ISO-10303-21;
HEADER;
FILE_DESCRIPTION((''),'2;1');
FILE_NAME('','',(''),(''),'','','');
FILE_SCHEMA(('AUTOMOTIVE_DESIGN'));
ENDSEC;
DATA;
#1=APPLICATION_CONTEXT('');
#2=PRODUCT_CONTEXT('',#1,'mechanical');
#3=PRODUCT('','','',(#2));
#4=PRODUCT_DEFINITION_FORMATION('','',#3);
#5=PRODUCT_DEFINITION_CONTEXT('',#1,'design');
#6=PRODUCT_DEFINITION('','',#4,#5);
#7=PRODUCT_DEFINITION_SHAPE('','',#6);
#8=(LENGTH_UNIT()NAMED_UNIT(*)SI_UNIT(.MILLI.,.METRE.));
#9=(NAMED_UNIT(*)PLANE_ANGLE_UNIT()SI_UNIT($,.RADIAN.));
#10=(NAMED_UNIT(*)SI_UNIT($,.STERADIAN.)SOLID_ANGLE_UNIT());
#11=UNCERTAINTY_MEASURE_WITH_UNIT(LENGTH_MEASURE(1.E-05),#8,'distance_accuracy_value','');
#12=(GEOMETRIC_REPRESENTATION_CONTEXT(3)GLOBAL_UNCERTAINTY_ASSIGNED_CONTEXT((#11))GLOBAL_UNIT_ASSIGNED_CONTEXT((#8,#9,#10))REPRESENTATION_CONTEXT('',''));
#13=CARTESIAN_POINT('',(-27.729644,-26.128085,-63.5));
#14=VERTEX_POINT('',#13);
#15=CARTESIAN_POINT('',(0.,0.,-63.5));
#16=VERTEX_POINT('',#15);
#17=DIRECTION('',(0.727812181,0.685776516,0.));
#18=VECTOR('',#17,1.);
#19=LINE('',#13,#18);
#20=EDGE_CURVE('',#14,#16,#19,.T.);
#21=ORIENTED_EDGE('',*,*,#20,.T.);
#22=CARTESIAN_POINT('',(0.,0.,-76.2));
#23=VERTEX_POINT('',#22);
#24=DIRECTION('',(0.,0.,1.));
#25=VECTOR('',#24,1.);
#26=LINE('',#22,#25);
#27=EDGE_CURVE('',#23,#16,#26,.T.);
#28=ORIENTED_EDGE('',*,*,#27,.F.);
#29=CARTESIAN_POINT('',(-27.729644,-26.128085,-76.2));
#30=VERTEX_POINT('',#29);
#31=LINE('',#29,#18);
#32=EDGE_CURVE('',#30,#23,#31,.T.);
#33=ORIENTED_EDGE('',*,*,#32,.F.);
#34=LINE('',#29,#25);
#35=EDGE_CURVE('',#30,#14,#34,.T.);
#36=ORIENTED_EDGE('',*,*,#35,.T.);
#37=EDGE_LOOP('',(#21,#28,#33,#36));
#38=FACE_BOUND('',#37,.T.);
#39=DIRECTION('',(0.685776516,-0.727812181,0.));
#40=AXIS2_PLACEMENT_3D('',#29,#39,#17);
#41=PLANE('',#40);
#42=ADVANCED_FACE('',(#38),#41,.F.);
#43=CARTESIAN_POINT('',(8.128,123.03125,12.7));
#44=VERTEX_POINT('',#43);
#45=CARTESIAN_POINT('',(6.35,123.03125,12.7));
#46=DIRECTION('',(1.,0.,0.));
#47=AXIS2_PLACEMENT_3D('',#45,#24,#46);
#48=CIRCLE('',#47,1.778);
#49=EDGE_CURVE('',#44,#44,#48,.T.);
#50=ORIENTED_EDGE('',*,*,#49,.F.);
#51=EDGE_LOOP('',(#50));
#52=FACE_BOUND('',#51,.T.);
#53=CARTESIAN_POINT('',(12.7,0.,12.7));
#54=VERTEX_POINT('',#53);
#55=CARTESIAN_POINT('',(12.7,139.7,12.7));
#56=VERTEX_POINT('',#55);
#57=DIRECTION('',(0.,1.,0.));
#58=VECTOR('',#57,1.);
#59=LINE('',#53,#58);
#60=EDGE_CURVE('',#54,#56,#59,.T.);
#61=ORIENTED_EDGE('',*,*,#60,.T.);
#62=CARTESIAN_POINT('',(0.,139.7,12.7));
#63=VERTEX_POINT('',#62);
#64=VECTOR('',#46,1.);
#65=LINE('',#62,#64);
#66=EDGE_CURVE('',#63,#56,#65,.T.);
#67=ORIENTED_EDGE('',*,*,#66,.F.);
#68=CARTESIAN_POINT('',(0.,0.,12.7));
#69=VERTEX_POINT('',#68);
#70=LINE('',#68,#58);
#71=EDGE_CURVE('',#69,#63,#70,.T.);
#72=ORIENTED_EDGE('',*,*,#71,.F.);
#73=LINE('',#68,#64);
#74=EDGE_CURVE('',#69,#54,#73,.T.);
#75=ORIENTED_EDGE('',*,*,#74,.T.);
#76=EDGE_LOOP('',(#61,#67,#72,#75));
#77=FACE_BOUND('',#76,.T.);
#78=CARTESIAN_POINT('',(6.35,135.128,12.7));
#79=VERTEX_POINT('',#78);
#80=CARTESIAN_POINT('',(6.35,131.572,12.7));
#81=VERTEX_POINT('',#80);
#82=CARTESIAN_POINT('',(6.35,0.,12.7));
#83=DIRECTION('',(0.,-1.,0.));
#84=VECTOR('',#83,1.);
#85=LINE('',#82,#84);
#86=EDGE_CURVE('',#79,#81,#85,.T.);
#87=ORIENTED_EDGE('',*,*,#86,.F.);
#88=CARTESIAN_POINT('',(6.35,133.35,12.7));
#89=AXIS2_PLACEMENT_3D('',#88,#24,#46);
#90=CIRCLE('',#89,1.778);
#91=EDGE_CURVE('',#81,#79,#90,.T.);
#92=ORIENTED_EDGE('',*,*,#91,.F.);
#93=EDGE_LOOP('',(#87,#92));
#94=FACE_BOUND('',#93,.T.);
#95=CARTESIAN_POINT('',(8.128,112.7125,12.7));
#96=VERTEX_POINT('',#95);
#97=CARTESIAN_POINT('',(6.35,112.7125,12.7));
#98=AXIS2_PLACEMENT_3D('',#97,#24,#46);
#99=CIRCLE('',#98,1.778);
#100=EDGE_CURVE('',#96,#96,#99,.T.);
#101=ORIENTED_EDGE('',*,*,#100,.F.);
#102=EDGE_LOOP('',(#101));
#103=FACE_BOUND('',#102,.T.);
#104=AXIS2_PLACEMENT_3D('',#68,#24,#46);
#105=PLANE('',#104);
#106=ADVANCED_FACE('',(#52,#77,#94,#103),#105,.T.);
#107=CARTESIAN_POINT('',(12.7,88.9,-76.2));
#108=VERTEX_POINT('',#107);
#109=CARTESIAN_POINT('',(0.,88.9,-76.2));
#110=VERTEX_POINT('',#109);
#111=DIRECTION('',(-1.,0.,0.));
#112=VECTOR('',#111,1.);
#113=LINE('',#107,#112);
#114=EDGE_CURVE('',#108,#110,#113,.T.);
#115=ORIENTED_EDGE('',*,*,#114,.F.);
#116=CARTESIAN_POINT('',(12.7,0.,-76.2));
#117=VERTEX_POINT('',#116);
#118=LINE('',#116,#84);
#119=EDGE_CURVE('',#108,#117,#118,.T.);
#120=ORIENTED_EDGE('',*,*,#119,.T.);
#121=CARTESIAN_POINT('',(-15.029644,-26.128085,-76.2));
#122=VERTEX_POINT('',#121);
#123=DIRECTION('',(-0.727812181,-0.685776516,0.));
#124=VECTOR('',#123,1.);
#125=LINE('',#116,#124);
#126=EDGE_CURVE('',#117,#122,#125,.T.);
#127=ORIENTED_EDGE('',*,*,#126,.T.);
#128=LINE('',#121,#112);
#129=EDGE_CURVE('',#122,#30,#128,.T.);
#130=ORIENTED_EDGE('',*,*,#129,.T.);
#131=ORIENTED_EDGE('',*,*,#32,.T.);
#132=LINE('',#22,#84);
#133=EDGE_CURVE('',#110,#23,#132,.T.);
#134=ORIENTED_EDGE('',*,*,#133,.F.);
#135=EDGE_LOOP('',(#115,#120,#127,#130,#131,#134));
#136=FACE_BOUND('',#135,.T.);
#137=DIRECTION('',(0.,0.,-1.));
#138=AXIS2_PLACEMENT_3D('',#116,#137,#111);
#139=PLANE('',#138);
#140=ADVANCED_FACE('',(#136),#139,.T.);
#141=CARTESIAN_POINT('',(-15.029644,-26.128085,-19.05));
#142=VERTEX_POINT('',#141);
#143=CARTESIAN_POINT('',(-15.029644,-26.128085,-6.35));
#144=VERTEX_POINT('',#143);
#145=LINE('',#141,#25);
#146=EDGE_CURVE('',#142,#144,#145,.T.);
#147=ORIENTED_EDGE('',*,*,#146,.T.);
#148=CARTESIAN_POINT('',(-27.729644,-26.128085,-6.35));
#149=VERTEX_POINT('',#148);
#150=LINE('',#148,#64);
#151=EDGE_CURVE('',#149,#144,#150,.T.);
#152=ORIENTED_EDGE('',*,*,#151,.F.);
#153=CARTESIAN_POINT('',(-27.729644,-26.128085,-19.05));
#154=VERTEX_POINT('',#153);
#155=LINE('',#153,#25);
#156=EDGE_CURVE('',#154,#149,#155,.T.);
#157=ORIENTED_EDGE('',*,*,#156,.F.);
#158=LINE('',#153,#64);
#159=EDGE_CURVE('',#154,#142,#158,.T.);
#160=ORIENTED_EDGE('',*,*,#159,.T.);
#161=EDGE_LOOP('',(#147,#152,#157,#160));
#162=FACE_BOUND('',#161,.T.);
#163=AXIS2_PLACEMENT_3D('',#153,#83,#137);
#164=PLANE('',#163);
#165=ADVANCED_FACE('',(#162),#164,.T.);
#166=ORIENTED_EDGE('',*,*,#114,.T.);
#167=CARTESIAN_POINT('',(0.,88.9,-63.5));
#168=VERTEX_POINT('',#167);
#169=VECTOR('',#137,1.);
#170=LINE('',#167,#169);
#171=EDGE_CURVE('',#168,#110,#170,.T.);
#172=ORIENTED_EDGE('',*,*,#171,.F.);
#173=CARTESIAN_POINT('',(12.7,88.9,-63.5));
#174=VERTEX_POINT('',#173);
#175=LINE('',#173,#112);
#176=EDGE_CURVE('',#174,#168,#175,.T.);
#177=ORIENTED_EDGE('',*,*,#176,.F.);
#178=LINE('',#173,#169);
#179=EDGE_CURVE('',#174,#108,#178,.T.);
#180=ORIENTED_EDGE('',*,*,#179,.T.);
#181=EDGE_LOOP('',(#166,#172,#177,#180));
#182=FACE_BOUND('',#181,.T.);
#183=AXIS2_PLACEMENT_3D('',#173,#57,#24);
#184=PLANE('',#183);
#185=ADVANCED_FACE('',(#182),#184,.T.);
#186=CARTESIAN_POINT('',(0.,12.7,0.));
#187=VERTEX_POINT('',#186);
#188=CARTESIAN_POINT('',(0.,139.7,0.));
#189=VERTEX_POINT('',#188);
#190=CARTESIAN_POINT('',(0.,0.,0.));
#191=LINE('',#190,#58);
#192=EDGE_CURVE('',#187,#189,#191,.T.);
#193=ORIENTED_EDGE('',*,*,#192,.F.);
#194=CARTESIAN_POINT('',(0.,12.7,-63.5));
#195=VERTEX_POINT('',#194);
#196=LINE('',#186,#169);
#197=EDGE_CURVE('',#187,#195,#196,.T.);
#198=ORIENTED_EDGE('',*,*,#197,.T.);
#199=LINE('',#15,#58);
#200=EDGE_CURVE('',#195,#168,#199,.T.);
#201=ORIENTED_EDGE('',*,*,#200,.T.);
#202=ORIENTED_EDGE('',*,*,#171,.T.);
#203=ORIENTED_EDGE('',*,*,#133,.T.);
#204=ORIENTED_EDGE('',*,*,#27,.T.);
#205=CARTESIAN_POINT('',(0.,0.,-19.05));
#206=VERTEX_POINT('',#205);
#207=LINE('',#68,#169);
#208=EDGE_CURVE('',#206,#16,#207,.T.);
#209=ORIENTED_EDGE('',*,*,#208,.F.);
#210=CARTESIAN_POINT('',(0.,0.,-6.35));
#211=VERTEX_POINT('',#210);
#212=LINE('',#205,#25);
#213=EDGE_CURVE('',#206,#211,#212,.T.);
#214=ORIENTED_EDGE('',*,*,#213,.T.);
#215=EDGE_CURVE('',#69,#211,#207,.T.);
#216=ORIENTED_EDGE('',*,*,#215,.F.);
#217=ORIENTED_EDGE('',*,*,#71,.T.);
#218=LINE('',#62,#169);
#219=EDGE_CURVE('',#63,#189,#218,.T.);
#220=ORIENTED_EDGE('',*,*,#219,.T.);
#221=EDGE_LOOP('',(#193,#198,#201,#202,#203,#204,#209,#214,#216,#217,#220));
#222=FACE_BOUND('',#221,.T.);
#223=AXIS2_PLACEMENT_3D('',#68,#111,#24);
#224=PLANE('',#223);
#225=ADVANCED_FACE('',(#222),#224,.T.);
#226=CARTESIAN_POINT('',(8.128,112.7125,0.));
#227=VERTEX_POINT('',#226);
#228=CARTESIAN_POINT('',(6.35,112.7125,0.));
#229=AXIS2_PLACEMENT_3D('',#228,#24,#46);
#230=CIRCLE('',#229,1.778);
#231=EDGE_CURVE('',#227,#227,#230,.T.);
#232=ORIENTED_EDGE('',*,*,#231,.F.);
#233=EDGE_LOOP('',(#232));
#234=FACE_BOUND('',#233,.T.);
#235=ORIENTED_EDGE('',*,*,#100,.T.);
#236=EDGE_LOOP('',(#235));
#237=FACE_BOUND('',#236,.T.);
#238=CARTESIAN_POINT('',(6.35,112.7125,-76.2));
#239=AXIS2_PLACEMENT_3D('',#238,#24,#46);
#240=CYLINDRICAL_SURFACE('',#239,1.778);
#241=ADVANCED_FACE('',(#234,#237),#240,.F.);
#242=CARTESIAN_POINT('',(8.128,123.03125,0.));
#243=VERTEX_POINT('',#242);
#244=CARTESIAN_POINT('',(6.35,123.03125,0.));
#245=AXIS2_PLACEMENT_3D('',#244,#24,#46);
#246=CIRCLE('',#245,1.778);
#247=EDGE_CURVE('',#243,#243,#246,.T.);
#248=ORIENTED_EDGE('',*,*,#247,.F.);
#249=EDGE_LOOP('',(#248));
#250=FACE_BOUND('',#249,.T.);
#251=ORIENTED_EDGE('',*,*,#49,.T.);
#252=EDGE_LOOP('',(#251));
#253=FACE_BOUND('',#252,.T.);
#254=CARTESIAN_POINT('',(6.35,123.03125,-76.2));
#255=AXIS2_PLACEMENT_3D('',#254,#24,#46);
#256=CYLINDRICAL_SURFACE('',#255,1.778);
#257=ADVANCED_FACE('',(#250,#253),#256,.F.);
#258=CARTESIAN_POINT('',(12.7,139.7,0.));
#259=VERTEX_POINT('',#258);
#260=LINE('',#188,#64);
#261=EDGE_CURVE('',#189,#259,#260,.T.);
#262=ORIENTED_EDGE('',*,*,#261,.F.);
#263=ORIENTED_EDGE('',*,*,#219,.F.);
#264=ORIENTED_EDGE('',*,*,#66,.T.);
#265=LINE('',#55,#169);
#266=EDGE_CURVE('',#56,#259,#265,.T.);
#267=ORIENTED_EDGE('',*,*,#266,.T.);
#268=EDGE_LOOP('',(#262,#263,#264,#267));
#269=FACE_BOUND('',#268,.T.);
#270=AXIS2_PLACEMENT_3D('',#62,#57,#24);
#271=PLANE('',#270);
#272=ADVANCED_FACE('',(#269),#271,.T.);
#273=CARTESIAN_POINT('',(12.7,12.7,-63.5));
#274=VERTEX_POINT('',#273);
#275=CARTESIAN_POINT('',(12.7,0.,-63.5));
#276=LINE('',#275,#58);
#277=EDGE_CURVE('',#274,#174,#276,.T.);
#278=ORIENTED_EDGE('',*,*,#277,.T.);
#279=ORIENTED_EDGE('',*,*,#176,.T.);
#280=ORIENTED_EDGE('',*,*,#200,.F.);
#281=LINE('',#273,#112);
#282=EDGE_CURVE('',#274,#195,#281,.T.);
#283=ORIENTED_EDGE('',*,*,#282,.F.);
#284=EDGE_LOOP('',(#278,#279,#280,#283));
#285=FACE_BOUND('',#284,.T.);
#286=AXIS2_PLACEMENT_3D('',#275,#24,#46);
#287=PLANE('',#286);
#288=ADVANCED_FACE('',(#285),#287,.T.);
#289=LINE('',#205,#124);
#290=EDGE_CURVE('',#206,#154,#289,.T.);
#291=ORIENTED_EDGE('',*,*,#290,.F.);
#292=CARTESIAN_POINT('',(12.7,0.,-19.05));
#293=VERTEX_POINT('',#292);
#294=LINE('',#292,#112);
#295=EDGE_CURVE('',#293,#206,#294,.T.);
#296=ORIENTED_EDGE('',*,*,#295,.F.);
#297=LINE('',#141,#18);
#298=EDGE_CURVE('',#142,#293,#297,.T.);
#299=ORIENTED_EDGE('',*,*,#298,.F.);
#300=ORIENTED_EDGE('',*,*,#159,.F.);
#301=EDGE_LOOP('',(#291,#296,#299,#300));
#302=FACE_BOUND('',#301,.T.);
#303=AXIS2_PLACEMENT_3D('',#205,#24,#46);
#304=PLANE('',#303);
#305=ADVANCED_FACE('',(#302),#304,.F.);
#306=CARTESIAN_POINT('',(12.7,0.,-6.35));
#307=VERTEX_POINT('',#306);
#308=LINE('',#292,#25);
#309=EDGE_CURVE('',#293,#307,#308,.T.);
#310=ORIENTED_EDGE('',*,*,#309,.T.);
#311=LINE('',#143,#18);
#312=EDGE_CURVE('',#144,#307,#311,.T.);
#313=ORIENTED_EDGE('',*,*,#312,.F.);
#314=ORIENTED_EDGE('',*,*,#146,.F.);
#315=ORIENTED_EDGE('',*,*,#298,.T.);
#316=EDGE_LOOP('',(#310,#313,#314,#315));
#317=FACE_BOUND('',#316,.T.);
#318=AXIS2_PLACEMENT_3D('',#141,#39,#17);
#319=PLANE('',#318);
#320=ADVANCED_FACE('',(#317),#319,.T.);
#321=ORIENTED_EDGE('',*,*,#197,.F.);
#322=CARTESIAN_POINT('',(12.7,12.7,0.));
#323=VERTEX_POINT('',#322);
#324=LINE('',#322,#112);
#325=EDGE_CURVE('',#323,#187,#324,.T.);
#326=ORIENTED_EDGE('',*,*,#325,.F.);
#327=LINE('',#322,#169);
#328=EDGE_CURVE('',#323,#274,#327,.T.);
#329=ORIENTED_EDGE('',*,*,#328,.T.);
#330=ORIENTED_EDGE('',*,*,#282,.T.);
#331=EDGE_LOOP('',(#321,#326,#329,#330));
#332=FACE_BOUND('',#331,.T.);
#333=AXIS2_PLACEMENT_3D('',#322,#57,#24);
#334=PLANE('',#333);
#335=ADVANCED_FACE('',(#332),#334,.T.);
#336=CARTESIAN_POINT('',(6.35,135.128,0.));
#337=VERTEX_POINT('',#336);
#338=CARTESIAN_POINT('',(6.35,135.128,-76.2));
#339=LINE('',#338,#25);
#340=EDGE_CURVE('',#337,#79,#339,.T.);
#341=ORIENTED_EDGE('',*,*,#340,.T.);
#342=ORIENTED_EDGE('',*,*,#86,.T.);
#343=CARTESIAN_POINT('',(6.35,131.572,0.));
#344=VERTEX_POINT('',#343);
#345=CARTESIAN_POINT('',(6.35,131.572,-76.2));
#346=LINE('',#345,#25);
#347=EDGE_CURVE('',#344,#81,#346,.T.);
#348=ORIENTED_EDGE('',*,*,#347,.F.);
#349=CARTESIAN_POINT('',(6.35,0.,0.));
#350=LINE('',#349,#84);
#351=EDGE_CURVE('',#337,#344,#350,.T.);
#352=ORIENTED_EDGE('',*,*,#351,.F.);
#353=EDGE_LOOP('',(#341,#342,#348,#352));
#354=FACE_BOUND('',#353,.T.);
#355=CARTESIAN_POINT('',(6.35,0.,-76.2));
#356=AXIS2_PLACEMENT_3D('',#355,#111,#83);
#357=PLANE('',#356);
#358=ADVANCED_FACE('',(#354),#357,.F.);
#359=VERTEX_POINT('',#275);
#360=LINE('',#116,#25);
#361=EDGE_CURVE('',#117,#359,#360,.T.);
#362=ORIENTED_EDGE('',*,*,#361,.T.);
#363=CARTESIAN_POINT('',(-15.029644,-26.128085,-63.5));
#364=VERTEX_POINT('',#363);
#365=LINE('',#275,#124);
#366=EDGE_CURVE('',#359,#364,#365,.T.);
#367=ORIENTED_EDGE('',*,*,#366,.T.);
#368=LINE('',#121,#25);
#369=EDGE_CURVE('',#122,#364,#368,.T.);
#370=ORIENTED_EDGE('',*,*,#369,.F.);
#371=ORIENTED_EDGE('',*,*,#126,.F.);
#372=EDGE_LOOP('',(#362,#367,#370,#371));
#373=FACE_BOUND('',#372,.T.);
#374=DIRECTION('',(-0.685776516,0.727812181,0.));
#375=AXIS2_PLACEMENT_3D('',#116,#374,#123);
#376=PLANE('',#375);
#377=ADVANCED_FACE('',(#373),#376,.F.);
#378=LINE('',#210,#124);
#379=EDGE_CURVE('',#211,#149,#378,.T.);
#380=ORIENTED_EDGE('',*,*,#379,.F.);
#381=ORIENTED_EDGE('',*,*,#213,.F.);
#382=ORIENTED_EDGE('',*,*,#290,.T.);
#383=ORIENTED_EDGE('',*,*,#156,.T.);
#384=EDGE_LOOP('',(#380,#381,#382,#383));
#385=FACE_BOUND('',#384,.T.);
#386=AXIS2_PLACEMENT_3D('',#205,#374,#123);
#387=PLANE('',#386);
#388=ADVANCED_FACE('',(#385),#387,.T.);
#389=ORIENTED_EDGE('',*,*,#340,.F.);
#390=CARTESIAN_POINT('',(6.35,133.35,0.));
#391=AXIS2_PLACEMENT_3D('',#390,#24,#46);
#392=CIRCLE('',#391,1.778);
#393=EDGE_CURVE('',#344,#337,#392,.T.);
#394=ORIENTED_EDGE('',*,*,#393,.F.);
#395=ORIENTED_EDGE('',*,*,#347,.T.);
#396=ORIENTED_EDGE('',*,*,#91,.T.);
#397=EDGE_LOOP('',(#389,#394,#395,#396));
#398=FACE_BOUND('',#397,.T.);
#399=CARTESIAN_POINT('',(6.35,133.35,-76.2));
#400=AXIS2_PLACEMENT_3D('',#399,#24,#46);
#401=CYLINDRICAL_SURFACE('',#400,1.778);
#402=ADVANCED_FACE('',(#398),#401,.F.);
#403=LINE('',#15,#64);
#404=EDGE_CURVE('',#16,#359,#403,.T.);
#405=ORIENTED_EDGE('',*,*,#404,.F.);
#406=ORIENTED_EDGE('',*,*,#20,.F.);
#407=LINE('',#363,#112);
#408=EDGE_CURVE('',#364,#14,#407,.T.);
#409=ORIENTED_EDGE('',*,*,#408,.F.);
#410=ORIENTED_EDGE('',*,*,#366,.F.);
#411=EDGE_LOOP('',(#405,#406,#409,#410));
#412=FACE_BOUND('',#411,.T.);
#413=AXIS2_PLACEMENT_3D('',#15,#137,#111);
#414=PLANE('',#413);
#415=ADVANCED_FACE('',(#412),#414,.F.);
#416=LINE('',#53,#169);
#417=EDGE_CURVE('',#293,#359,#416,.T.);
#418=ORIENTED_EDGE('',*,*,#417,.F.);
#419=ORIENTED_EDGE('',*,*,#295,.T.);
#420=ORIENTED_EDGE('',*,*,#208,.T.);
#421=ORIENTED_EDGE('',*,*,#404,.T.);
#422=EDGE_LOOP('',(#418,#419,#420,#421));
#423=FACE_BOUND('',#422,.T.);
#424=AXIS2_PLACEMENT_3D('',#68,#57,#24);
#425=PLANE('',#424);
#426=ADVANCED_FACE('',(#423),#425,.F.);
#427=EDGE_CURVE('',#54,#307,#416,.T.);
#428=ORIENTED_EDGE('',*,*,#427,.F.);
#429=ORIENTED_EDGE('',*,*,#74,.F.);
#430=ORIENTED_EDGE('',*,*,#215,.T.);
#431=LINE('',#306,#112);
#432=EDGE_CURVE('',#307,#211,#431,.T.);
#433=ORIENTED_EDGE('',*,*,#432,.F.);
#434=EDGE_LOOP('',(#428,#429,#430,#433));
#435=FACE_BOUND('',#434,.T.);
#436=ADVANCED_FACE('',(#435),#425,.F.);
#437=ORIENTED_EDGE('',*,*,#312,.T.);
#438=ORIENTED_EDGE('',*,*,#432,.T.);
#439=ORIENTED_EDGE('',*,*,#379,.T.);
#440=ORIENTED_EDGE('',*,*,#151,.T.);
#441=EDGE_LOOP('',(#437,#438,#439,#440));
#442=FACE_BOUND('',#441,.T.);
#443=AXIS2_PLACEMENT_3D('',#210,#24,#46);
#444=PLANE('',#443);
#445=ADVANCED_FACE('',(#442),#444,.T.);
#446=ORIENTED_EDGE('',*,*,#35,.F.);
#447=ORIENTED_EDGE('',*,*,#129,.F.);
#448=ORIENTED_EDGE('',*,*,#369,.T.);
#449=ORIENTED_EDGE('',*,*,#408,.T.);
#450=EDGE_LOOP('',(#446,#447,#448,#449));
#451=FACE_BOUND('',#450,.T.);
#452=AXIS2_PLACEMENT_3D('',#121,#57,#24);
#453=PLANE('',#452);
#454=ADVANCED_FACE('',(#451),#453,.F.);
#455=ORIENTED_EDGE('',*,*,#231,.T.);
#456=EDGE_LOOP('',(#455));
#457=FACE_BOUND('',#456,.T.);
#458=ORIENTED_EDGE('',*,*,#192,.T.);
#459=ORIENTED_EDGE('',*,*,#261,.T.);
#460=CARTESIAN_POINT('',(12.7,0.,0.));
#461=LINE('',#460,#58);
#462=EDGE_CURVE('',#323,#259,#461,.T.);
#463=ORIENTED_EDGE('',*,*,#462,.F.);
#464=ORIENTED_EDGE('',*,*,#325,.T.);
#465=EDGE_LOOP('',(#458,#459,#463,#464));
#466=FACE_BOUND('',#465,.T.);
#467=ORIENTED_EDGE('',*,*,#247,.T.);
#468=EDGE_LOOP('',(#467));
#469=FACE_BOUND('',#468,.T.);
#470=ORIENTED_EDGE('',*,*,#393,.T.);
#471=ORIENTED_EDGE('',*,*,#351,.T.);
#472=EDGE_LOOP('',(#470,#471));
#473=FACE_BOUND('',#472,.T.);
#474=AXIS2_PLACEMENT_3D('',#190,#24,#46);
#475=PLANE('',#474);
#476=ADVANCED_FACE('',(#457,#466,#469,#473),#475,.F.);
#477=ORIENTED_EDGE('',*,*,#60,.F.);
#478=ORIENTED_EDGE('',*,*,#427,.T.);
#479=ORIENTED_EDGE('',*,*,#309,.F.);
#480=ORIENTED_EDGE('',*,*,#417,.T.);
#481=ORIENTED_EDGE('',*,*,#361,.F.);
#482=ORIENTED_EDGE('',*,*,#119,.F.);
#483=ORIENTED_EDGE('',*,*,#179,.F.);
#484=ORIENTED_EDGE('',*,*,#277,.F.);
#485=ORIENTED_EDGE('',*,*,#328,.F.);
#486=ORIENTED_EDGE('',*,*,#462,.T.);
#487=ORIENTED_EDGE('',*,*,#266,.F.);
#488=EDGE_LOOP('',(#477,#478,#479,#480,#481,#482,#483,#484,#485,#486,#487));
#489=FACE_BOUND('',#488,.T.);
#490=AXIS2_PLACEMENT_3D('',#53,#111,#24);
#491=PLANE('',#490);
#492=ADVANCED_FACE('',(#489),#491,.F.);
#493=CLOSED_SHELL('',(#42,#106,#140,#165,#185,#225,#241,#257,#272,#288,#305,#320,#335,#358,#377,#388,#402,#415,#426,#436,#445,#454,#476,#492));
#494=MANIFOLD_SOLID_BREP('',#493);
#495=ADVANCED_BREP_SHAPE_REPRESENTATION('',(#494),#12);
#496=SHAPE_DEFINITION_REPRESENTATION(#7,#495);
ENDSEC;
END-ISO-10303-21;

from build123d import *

# Parameters (mm, degrees)
SKETCH1_W           = 12.7
SKETCH1_H           = 139.7
BOSS_EXTRUDE1_DEPTH = 12.7
SKETCH2_W           = 63.5
SKETCH2_H           = 12.7
BOSS_EXTRUDE2_DEPTH = 12.7
SKETCH3_W           = 12.7
SKETCH3_H           = 88.9
BOSS_EXTRUDE3_DEPTH = 12.7
SKETCH6_R           = 1.778
CUT_EXTRUDE1_DEPTH  = 89.9
BOSS_EXTRUDE7_START = -19.05
BOSS_EXTRUDE7_DEPTH = 12.7
BOSS_EXTRUDE8_START = 44.45
BOSS_EXTRUDE8_DEPTH = 12.7


with BuildPart() as part:
    # Sketch1 → Boss-Extrude1 (new body)
    with BuildSketch(Plane.XY):
        with Locations((6.35, 69.85)):
            Rectangle(SKETCH1_W, SKETCH1_H)
    extrude(amount=BOSS_EXTRUDE1_DEPTH)

    # Sketch2 → Boss-Extrude2 (add)
    with BuildSketch(Plane.ZY):
        with Locations((-31.75, 6.35)):
            Rectangle(SKETCH2_W, SKETCH2_H)
    extrude(amount=-BOSS_EXTRUDE2_DEPTH)

    # Sketch3 → Boss-Extrude3 (add)
    with BuildSketch(Plane.ZY):
        with Locations((-69.85, 44.45)):
            Rectangle(SKETCH3_W, SKETCH3_H)
    extrude(amount=-BOSS_EXTRUDE3_DEPTH)

    # Sketch6 → Cut-Extrude1 (cut, through all)
    with BuildSketch(Plane.XY.offset(12.7)):
        with BuildLine():
            ThreePointArc((6.35, 131.572), (8.128, 133.35), (6.35, 135.128))
            Line((6.35, 135.128), (6.35, 131.572))
        make_face()
        with Locations((6.35, 112.7125)):
            Circle(SKETCH6_R)
        with Locations((6.35, 123.03125)):
            Circle(SKETCH6_R)
    extrude(amount=-CUT_EXTRUDE1_DEPTH, mode=Mode.SUBTRACT)

    # Sketch7 → Boss-Extrude7 (add)
    with BuildSketch(Plane.XY.offset(12.7).offset(BOSS_EXTRUDE7_START)):
        Polygon((0, 0), (-27.729644095, -26.128085241), (-15.029644095, -26.128085241), (12.7, 0), align=None)
    extrude(amount=-BOSS_EXTRUDE7_DEPTH)

    # Sketch10 → Boss-Extrude8 (add)
    with BuildSketch(Plane(origin=(0, 0, -19.05), x_dir=(-1, 0, 0), z_dir=(0, 0, -1)).offset(BOSS_EXTRUDE8_START)):
        Polygon((-12.7, 0), (15.029644095, -26.128085241), (27.729644095, -26.128085241), (0, 0), align=None)
    extrude(amount=BOSS_EXTRUDE8_DEPTH)


solid = part.part
